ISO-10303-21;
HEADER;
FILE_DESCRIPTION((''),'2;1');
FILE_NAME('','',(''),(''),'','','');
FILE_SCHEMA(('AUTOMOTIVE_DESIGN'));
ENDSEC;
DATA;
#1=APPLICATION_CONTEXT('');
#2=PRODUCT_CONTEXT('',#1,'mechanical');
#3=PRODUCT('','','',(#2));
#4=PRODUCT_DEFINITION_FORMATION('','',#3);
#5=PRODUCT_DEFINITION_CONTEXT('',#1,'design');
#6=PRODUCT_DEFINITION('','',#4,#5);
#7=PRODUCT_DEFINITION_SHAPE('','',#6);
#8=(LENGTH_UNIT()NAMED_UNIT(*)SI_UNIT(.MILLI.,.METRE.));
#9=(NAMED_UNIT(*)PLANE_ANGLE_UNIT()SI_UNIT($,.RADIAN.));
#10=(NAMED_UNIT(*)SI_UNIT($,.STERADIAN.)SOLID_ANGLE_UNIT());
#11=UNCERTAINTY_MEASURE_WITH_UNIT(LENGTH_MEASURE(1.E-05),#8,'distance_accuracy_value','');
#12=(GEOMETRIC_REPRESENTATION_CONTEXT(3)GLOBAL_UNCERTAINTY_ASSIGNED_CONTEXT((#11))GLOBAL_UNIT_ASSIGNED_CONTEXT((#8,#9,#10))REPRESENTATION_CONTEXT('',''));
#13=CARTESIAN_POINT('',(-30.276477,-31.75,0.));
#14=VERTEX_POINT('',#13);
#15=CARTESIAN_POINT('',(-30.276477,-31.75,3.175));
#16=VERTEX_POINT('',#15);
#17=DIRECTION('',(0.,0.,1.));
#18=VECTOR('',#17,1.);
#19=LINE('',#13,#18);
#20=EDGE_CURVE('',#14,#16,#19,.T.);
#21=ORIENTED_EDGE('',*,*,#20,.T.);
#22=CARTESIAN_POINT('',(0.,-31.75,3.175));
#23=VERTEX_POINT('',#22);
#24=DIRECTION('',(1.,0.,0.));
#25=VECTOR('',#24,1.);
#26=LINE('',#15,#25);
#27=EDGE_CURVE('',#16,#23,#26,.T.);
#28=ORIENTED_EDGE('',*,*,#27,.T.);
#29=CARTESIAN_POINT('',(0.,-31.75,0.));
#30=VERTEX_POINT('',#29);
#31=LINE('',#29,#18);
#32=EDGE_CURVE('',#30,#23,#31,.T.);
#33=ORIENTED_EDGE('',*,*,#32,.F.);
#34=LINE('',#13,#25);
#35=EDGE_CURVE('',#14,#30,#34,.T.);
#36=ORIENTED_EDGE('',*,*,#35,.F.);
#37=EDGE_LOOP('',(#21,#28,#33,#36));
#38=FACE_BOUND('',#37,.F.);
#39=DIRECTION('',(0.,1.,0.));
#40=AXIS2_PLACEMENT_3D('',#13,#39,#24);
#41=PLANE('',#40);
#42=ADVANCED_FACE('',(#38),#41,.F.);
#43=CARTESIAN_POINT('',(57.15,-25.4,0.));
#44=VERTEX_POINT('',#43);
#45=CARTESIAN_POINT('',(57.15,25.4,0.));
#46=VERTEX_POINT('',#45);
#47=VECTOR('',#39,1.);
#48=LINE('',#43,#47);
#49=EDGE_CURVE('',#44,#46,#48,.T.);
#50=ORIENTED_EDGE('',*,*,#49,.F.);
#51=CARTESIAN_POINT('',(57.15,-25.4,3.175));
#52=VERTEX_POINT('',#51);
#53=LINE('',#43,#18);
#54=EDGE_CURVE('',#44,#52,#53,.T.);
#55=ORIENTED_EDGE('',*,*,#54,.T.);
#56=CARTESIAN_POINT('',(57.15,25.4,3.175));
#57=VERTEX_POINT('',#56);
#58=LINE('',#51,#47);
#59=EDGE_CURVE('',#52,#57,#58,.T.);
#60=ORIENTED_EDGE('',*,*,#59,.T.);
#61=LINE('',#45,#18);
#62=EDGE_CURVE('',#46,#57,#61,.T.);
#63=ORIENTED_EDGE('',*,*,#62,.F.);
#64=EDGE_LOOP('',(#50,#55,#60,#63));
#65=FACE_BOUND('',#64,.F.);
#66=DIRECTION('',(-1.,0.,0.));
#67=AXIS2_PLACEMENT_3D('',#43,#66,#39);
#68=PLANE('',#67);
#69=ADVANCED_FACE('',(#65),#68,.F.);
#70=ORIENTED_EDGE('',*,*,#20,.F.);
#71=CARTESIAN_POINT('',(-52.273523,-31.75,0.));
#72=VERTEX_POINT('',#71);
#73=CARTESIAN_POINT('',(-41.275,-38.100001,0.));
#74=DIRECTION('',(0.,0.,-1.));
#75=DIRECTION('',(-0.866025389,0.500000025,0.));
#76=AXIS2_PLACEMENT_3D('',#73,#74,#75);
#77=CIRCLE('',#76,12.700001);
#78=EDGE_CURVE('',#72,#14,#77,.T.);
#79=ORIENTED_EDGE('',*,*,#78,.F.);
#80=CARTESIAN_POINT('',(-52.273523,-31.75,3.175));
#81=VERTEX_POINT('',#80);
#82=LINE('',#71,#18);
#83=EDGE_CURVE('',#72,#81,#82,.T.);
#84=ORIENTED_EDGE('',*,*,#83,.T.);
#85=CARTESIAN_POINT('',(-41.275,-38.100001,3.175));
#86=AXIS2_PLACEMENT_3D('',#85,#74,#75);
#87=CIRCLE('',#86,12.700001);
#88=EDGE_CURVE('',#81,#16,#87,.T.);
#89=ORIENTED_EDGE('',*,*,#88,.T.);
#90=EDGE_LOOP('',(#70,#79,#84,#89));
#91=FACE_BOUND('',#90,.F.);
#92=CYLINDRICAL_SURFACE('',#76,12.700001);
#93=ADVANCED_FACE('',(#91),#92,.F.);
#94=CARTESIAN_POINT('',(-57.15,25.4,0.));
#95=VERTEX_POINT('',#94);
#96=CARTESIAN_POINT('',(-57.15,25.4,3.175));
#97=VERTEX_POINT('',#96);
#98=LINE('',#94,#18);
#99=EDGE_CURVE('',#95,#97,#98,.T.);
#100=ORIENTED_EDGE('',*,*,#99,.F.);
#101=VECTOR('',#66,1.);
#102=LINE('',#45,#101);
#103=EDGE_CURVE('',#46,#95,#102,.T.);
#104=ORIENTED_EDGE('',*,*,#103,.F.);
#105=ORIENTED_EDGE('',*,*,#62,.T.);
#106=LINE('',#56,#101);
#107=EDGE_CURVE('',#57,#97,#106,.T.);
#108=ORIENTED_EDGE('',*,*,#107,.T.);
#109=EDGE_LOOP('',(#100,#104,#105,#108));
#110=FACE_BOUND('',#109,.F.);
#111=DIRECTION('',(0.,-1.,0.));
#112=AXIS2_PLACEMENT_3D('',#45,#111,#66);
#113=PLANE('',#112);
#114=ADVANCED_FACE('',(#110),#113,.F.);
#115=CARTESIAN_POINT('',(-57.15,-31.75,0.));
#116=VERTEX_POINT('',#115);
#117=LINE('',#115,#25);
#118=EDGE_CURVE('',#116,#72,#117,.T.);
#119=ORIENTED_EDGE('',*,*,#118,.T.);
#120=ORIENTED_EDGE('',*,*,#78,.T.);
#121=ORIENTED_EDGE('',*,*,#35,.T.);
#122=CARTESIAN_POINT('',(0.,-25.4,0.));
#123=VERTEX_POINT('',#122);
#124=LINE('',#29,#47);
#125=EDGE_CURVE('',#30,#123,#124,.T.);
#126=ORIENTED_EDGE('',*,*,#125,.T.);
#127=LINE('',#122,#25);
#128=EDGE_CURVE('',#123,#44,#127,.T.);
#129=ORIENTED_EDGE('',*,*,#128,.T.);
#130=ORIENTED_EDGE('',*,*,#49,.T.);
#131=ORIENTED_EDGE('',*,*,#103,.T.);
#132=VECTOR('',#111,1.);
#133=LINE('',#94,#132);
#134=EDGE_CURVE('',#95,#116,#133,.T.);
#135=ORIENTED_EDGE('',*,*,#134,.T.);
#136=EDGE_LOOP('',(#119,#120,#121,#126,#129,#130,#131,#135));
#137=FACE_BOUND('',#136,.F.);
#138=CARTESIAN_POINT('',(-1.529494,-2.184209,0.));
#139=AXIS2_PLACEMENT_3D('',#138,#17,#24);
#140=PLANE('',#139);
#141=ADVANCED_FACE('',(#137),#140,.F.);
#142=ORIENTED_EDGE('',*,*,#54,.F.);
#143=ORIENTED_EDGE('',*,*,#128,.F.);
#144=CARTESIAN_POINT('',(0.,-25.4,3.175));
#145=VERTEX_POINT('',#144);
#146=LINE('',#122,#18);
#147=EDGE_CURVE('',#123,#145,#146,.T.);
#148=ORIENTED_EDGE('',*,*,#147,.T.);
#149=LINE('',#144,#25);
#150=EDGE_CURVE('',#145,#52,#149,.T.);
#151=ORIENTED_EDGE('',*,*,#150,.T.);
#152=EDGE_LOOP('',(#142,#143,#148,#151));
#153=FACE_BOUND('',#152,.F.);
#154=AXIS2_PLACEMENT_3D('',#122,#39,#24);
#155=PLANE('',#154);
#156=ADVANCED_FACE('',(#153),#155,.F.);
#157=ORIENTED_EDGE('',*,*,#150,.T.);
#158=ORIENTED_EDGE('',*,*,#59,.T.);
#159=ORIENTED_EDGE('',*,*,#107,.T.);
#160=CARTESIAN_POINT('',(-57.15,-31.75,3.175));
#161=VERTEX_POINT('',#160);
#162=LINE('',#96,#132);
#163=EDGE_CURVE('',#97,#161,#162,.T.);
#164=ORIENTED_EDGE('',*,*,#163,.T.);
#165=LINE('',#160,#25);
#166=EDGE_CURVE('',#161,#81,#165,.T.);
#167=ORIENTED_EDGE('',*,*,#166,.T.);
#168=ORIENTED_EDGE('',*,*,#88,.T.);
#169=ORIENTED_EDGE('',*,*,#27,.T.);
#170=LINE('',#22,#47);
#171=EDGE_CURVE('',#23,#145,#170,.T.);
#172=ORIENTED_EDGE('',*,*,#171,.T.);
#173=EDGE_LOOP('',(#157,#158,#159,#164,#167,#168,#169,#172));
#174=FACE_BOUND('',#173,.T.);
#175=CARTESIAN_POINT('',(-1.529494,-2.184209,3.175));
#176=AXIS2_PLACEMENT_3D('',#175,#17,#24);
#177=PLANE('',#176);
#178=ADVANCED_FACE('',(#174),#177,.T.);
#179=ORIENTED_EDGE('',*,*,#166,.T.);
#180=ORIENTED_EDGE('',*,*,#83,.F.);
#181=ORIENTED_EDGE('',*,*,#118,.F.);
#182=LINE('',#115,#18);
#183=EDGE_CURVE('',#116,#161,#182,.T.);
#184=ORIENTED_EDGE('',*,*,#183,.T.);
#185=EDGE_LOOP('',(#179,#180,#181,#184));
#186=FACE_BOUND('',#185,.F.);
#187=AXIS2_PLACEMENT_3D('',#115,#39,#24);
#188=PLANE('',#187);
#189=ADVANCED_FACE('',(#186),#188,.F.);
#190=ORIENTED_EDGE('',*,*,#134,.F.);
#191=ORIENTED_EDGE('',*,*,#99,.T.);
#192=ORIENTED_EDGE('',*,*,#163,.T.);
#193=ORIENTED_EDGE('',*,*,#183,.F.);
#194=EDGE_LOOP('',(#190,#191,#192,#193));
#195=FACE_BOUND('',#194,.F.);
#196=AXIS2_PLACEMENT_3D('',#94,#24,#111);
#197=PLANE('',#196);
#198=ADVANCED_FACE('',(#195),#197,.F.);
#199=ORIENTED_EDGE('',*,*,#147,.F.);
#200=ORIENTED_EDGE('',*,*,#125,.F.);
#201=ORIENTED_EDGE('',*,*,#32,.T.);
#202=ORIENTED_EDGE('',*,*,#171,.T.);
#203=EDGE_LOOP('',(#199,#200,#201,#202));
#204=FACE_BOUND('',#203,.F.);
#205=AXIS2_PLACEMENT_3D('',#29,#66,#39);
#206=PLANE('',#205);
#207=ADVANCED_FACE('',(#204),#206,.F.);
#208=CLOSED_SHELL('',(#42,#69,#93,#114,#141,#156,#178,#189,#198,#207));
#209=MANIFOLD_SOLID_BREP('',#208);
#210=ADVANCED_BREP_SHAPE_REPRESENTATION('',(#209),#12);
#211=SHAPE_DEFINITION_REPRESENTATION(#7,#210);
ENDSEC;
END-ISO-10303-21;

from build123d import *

# Parameters (mm, degrees)
F1_DEPTH = 3.175


with BuildPart() as f1:
    # F0 (on Top) → F1 (new body)
    with BuildSketch(Plane.XY):
        with BuildLine():
            Line((57.15, 25.4), (-57.15, 25.4))
            Line((-57.15, 25.4), (-57.15, -31.75))
            Line((-57.15, -31.75), (-52.273523, -31.75))
            ThreePointArc((-52.273523, -31.75), (-41.275, -25.4), (-30.276477, -31.75))
            Line((-30.276477, -31.75), (0, -31.75))
            Line((0, -31.75), (0, -25.4))
            Line((0, -25.4), (57.15, -25.4))
            Line((57.15, -25.4), (57.15, 25.4))
        make_face()
    extrude(amount=F1_DEPTH)


solid = f1.part
